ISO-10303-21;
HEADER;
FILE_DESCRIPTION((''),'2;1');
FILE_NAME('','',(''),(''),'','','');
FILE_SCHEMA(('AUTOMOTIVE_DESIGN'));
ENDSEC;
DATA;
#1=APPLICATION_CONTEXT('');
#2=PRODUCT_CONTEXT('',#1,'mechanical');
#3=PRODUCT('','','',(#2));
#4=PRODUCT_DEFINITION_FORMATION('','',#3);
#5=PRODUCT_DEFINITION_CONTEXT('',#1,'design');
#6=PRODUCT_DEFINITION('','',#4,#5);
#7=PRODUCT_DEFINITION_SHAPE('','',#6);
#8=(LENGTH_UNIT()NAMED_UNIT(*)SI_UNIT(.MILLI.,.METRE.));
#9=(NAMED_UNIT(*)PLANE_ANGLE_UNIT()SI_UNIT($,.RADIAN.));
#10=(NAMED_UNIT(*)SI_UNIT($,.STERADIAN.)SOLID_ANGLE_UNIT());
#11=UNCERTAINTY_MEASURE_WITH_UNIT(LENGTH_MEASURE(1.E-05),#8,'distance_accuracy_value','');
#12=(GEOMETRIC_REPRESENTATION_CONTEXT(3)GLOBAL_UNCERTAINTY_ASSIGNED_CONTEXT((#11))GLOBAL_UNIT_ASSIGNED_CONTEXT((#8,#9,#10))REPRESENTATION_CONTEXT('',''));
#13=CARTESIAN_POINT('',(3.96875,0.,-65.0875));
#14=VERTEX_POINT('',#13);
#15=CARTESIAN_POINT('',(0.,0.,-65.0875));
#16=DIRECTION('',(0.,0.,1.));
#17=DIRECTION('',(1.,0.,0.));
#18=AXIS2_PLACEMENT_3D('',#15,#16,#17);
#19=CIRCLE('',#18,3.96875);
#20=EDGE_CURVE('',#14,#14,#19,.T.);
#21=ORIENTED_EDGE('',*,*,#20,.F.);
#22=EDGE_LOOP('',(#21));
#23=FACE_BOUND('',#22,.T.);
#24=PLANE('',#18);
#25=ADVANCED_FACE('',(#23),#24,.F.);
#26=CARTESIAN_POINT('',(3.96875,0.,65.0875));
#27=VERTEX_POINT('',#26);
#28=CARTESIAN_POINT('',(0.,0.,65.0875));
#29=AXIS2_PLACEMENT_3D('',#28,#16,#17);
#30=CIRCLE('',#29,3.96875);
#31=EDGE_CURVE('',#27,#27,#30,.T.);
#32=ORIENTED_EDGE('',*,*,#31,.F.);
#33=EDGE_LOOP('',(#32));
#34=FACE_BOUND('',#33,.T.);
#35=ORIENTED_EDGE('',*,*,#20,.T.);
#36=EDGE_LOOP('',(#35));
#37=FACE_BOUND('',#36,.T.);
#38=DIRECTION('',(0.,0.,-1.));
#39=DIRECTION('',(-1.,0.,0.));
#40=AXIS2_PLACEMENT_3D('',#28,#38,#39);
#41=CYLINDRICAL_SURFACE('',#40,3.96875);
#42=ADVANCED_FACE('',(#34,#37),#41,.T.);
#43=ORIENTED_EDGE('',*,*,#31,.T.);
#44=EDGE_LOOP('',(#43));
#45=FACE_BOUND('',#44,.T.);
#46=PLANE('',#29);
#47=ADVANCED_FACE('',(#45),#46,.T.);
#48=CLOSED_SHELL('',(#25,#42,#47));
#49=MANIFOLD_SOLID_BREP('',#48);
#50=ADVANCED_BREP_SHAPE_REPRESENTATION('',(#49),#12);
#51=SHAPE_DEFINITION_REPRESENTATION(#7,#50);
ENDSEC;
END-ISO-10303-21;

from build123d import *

# Parameters (mm, degrees)
SKETCH1_R      = 3.96875
EXTRUDE1_DEPTH = 65.0875


with BuildPart() as part:
    # Sketch1 → Extrude1 (new body, symmetric)
    with BuildSketch(Plane.XY):
        Circle(SKETCH1_R)
    extrude(amount=EXTRUDE1_DEPTH, both=True)


solid = part.part
